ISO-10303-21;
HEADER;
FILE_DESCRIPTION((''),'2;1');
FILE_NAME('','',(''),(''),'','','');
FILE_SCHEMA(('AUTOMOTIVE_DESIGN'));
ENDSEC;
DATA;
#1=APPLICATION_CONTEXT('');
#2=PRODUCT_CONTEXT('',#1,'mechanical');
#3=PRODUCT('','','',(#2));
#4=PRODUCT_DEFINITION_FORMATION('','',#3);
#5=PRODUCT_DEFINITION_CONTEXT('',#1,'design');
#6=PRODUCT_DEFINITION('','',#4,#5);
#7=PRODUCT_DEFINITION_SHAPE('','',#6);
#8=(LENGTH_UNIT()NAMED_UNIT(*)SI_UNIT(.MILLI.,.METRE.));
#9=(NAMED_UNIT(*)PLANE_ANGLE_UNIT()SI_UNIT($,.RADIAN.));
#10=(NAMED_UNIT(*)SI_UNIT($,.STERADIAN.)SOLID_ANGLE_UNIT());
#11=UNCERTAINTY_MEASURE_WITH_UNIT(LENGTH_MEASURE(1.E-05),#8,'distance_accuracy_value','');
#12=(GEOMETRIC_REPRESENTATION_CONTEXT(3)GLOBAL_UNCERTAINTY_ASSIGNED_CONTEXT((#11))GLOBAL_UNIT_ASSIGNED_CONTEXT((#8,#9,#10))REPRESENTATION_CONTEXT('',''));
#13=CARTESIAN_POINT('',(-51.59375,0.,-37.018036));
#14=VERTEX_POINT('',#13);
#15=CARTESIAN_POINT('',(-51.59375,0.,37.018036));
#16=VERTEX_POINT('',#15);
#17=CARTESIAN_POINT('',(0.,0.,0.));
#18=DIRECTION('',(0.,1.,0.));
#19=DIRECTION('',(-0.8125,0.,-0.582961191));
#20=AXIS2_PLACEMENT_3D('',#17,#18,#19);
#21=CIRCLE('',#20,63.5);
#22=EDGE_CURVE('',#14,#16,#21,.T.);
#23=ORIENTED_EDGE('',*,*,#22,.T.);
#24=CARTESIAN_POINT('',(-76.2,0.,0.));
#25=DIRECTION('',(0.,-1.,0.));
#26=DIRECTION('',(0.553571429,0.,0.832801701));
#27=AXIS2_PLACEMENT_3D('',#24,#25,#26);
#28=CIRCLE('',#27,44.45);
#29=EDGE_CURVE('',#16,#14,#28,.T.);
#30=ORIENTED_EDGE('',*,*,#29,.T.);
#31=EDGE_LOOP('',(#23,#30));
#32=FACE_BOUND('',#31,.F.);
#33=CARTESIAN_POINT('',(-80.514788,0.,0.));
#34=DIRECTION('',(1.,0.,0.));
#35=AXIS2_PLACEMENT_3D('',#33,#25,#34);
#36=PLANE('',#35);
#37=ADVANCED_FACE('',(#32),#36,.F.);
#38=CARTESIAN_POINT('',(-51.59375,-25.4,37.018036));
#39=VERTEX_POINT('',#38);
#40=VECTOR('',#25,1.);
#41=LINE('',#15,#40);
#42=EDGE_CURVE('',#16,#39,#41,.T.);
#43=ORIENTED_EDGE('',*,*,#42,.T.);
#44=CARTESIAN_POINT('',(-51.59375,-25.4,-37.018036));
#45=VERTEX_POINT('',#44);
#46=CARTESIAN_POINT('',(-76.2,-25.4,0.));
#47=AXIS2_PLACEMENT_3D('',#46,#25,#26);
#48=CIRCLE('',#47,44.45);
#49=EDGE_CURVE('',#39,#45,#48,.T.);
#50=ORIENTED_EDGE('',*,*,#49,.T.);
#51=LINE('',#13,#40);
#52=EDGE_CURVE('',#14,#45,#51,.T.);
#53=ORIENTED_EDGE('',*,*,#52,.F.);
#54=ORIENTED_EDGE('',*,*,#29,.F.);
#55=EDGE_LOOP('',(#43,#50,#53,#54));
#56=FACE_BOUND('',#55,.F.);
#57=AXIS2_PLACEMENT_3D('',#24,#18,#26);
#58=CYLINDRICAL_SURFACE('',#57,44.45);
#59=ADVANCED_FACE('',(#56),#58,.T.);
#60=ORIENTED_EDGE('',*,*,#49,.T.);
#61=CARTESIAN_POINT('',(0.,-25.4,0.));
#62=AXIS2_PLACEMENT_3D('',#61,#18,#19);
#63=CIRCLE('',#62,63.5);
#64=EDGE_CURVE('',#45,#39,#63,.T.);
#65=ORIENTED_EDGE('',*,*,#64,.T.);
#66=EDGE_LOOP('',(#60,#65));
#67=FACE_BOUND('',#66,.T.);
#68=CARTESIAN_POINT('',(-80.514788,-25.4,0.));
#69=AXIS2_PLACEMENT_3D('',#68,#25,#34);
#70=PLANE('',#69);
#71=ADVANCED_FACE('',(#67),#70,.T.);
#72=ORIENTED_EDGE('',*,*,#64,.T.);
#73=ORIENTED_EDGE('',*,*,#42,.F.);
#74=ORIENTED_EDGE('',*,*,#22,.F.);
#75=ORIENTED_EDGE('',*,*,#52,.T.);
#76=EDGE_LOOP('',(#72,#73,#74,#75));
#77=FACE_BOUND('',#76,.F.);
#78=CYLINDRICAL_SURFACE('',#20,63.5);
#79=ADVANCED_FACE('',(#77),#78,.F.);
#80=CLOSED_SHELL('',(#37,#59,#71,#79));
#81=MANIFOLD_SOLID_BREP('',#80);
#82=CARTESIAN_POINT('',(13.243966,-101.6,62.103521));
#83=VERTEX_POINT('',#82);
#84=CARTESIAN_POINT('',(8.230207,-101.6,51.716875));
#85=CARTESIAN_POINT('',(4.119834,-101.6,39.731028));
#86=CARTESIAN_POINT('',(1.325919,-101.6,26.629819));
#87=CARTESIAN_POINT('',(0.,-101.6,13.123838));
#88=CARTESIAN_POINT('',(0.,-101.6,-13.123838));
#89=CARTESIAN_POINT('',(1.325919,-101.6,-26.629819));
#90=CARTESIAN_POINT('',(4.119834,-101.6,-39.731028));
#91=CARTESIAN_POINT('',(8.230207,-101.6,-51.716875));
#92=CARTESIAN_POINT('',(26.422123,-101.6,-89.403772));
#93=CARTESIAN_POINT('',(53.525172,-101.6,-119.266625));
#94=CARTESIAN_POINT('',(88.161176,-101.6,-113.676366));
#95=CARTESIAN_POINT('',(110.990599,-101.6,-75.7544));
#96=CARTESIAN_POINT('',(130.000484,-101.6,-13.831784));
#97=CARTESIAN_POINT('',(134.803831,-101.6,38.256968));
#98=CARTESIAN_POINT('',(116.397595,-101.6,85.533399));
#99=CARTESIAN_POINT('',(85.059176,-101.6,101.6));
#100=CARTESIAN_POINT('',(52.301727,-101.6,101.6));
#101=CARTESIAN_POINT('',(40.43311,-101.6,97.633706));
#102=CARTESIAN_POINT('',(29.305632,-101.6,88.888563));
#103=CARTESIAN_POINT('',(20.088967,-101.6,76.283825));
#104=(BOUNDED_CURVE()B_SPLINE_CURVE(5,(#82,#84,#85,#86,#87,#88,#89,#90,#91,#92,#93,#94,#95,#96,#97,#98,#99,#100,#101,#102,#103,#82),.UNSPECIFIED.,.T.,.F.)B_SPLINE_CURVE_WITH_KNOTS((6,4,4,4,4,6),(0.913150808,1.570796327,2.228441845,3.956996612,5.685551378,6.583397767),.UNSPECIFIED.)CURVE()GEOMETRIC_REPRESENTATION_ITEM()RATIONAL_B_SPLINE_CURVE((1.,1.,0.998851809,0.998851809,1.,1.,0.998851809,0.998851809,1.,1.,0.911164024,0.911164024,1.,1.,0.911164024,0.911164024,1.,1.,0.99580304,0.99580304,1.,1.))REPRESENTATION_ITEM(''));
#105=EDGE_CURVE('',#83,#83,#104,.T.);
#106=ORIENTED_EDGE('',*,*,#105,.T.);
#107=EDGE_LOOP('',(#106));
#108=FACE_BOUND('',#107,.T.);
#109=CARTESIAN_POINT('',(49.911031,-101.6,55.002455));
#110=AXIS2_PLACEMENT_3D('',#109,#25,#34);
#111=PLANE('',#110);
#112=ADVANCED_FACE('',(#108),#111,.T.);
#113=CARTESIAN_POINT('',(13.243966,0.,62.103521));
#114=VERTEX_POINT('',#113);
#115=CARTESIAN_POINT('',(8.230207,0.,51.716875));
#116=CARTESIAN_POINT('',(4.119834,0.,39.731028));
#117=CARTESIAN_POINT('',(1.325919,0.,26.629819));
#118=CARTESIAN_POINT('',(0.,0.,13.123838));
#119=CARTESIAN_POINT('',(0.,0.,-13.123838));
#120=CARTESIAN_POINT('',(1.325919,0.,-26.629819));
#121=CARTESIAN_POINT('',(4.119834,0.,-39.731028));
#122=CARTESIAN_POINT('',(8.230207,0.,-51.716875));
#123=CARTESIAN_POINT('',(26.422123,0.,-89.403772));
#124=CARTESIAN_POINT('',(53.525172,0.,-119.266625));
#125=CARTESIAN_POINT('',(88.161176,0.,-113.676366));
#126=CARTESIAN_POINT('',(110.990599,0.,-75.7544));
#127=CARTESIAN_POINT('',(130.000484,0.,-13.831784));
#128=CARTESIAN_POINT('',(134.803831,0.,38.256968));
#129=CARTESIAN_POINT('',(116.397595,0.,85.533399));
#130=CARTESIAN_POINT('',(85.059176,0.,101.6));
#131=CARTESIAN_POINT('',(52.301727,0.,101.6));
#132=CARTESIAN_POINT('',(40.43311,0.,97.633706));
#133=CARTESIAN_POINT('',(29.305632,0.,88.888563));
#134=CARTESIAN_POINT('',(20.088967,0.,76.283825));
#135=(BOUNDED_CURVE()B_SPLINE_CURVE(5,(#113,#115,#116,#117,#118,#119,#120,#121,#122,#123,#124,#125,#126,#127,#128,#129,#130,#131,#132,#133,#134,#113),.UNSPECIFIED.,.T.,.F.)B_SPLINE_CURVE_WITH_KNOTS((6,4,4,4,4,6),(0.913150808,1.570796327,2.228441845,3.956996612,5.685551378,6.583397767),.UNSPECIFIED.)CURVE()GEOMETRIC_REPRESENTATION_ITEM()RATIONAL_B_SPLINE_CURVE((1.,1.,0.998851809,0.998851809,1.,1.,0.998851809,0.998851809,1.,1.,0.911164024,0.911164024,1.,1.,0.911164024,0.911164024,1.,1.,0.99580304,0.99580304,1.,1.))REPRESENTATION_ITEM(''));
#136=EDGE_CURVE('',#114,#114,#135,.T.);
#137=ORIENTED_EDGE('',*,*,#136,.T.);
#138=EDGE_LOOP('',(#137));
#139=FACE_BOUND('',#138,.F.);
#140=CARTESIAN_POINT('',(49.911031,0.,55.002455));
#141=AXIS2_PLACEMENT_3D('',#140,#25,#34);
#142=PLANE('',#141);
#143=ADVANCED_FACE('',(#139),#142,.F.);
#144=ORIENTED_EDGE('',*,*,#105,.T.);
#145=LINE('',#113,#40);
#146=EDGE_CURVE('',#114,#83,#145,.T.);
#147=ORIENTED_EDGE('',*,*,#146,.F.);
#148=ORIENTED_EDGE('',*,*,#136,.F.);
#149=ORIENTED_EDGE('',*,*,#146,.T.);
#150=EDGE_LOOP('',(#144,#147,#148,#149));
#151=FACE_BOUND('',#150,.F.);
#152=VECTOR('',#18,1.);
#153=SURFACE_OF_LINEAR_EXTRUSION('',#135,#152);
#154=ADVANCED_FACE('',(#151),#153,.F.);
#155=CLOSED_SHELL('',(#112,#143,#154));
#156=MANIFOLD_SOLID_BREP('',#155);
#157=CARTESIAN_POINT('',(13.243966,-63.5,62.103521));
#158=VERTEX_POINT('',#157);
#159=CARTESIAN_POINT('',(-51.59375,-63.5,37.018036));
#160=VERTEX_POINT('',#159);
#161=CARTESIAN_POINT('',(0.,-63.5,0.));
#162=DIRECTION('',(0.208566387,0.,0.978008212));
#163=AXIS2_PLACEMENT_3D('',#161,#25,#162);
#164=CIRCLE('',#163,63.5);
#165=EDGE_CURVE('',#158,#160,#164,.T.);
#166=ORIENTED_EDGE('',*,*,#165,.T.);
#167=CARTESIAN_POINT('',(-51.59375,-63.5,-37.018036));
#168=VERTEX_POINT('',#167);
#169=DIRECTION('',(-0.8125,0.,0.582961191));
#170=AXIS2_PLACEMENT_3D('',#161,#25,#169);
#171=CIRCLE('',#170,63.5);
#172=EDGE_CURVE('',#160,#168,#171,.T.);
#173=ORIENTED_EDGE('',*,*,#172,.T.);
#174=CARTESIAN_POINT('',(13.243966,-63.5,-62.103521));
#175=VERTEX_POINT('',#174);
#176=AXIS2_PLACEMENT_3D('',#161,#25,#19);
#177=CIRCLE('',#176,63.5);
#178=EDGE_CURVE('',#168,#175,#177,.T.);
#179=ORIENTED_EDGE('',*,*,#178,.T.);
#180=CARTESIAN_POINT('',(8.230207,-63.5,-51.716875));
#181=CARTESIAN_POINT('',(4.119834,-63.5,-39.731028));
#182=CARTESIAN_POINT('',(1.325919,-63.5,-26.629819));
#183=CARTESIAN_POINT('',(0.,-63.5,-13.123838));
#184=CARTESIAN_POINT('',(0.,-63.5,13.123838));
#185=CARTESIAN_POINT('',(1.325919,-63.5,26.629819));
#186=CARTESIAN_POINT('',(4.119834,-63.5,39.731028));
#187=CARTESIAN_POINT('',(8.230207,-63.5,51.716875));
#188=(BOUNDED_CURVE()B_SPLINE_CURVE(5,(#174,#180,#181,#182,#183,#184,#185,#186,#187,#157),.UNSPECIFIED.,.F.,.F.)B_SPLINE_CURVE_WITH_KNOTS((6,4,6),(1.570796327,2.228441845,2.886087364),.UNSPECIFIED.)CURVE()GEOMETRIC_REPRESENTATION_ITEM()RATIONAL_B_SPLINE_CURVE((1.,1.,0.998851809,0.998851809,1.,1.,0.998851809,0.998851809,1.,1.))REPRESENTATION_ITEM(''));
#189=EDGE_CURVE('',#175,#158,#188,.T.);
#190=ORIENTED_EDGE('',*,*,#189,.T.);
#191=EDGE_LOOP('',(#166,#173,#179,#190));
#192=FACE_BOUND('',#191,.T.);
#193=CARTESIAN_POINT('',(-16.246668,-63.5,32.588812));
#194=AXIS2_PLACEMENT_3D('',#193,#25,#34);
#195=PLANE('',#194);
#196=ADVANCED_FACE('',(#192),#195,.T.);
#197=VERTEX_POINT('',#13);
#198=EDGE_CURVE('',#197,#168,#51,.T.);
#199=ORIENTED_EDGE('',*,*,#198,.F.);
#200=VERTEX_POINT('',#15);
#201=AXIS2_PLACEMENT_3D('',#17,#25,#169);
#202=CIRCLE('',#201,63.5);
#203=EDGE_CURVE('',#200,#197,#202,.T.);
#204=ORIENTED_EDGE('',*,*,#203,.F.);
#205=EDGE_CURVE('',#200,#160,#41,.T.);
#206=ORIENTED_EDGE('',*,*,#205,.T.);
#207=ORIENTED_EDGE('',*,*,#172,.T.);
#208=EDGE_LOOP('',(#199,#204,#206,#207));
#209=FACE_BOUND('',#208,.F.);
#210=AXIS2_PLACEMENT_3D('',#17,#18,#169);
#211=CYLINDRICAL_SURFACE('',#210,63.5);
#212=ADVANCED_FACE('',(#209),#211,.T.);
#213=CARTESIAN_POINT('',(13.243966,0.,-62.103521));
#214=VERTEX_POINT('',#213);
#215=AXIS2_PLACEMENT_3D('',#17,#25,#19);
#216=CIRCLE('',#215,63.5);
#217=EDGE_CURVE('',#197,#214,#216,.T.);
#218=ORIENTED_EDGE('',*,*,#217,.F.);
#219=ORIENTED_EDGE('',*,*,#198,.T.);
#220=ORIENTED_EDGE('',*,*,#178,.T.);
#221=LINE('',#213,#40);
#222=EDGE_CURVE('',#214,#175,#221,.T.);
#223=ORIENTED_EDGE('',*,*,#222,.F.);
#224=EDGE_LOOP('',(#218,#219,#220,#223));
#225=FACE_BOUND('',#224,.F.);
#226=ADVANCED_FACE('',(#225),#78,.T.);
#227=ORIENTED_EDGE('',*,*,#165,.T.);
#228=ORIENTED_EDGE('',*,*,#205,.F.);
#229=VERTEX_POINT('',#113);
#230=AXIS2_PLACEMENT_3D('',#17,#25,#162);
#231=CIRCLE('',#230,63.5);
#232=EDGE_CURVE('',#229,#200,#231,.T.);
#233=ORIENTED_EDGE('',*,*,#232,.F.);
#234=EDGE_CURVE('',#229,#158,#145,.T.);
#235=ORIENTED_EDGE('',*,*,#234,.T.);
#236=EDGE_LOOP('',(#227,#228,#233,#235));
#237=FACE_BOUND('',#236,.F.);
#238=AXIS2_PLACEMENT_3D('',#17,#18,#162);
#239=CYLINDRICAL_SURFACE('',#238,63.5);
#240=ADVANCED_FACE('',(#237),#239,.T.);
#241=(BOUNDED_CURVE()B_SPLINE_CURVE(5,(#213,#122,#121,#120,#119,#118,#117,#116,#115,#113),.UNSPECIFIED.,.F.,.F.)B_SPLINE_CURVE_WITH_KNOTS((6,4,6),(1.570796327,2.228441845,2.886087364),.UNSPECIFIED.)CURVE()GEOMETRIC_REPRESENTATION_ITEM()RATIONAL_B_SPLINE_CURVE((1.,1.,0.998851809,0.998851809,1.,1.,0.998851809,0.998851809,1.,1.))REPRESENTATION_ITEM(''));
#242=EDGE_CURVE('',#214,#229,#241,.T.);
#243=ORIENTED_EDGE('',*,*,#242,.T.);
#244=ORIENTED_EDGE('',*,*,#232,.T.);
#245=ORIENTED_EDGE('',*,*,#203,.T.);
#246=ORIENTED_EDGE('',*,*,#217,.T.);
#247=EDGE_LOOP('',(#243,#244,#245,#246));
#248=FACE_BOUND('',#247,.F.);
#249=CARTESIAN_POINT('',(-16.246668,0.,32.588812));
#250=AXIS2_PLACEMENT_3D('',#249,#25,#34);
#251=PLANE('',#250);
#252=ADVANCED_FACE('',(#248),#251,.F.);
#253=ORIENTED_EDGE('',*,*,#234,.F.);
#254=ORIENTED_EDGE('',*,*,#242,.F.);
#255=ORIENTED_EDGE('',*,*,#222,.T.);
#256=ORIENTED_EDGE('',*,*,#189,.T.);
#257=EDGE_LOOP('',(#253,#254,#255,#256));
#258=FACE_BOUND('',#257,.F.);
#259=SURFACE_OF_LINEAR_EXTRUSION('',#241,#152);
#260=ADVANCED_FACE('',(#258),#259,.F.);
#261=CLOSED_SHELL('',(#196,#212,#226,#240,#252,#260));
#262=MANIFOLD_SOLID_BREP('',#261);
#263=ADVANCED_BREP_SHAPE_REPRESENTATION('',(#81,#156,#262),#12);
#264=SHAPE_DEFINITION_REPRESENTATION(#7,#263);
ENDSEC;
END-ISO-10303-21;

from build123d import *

# Parameters (mm, degrees)
F1_DEPTH = 25.4
F2_DEPTH = 63.5
F3_DEPTH = 101.6


with BuildPart() as f1:
    # F0 (on Front) → F1 (new body)
    with BuildSketch(Plane.XZ):
        with BuildLine():
            ThreePointArc((-63.5, 0), (-60.4501990278, 19.4428248333), (-51.59375, 37.0180356169))
            ThreePointArc((-51.59375, 37.0180356169), (-120.65, 0), (-51.59375, -37.0180356169))
            ThreePointArc((-51.59375, -37.0180356169), (-60.4501990278, -19.4428248333), (-63.5, 0))
        make_face()
    extrude(amount=F1_DEPTH)


with BuildPart() as f2:
    # F0 (on Front) → F2 (new body)
    with BuildSketch(Plane.XZ):
        with BuildLine():
            ThreePointArc((-51.59375, 37.0180356169), (-37.0237934934, 21.0006510316), (-31.75, 0))
            Line((-31.75, 0), (0, 0))
            add(Edge.make_bspline(
                [(13.2439655959, 62.1035214404), (0, 34.6669399309), (0, 0)],
                knots=[0.9131508081, 0.9131508081, 0.9131508081, 1.5707963268, 1.5707963268, 1.5707963268], degree=2, weights=[1, 0.9464231645, 1]))
            ThreePointArc((13.2439655959, 62.1035214404), (-22.9128106244, 59.2220660674), (-51.59375, 37.0180356169))
        make_face()
        with BuildLine():
            Line((-63.5, 0), (-31.75, 0))
            ThreePointArc((-31.75, 0), (-37.0237934934, 21.0006510316), (-51.59375, 37.0180356169))
            ThreePointArc((-51.59375, 37.0180356169), (-60.4501990278, 19.4428248333), (-63.5, 0))
        make_face()
        with BuildLine():
            Line((0, 0), (-31.75, 0))
            ThreePointArc((-31.75, 0), (-37.0237934934, -21.0006510316), (-51.59375, -37.0180356169))
            ThreePointArc((-51.59375, -37.0180356169), (-22.9128106244, -59.2220660674), (13.2439655959, -62.1035214404))
            add(Edge.make_bspline(
                [(0, 0), (0, -34.6669399309), (13.2439655959, -62.1035214404)],
                knots=[1.5707963268, 1.5707963268, 1.5707963268, 2.2284418454, 2.2284418454, 2.2284418454], degree=2, weights=[1, 0.9464231645, 1]))
        make_face()
        with BuildLine():
            ThreePointArc((-51.59375, -37.0180356169), (-37.0237934934, -21.0006510316), (-31.75, 0))
            Line((-31.75, 0), (-63.5, 0))
            ThreePointArc((-63.5, 0), (-60.4501990278, -19.4428248333), (-51.59375, -37.0180356169))
        make_face()
    extrude(amount=F2_DEPTH)


with BuildPart() as f3:
    # F0 (on Front) → F3 (new body)
    with BuildSketch(Plane.XZ):
        with BuildLine():
            add(Edge.make_bspline(
                [(63.5, 101.6), (32.3093875408, 101.6), (13.2439655959, 62.1035214404)],
                knots=[0, 0, 0, 0.9131508081, 0.9131508081, 0.9131508081], degree=2, weights=[1, 0.8975675831, 1]))
            ThreePointArc((13.2439655959, 62.1035214404), (49.3621404284, 39.9453262889), (63.5, 0))
            Line((63.5, 0), (63.5, 101.6))
        make_face()
        with BuildLine():
            ThreePointArc((63.5, 0), (49.3621404284, -39.9453262889), (13.2439655959, -62.1035214404))
            add(Edge.make_bspline(
                [(13.2439655959, -62.1035214404), (75.5537087854, -191.1861844445), (120.4955415237, -44.7930922222), (165.437374262, 101.6), (63.5, 101.6)],
                knots=[2.2284418454, 2.2284418454, 2.2284418454, 4.2558135763, 4.2558135763, 6.2831853072, 6.2831853072, 6.2831853072], degree=2, weights=[1, 0.5287358074, 1, 0.5287358074, 1]))
            Line((63.5, 101.6), (63.5, 0))
        make_face()
        with BuildLine():
            add(Edge.make_bspline(
                [(13.2439655959, 62.1035214404), (0, 34.6669399309), (0, 0)],
                knots=[0.9131508081, 0.9131508081, 0.9131508081, 1.5707963268, 1.5707963268, 1.5707963268], degree=2, weights=[1, 0.9464231645, 1]))
            add(Edge.make_bspline(
                [(0, 0), (0, -34.6669399309), (13.2439655959, -62.1035214404)],
                knots=[1.5707963268, 1.5707963268, 1.5707963268, 2.2284418454, 2.2284418454, 2.2284418454], degree=2, weights=[1, 0.9464231645, 1]))
            ThreePointArc((13.2439655959, -62.1035214404), (49.3621404284, -39.9453262889), (63.5, 0))
            ThreePointArc((63.5, 0), (49.3621404284, 39.9453262889), (13.2439655959, 62.1035214404))
        make_face()
    extrude(amount=F3_DEPTH)


solid = Compound([f1.part, f2.part, f3.part])
